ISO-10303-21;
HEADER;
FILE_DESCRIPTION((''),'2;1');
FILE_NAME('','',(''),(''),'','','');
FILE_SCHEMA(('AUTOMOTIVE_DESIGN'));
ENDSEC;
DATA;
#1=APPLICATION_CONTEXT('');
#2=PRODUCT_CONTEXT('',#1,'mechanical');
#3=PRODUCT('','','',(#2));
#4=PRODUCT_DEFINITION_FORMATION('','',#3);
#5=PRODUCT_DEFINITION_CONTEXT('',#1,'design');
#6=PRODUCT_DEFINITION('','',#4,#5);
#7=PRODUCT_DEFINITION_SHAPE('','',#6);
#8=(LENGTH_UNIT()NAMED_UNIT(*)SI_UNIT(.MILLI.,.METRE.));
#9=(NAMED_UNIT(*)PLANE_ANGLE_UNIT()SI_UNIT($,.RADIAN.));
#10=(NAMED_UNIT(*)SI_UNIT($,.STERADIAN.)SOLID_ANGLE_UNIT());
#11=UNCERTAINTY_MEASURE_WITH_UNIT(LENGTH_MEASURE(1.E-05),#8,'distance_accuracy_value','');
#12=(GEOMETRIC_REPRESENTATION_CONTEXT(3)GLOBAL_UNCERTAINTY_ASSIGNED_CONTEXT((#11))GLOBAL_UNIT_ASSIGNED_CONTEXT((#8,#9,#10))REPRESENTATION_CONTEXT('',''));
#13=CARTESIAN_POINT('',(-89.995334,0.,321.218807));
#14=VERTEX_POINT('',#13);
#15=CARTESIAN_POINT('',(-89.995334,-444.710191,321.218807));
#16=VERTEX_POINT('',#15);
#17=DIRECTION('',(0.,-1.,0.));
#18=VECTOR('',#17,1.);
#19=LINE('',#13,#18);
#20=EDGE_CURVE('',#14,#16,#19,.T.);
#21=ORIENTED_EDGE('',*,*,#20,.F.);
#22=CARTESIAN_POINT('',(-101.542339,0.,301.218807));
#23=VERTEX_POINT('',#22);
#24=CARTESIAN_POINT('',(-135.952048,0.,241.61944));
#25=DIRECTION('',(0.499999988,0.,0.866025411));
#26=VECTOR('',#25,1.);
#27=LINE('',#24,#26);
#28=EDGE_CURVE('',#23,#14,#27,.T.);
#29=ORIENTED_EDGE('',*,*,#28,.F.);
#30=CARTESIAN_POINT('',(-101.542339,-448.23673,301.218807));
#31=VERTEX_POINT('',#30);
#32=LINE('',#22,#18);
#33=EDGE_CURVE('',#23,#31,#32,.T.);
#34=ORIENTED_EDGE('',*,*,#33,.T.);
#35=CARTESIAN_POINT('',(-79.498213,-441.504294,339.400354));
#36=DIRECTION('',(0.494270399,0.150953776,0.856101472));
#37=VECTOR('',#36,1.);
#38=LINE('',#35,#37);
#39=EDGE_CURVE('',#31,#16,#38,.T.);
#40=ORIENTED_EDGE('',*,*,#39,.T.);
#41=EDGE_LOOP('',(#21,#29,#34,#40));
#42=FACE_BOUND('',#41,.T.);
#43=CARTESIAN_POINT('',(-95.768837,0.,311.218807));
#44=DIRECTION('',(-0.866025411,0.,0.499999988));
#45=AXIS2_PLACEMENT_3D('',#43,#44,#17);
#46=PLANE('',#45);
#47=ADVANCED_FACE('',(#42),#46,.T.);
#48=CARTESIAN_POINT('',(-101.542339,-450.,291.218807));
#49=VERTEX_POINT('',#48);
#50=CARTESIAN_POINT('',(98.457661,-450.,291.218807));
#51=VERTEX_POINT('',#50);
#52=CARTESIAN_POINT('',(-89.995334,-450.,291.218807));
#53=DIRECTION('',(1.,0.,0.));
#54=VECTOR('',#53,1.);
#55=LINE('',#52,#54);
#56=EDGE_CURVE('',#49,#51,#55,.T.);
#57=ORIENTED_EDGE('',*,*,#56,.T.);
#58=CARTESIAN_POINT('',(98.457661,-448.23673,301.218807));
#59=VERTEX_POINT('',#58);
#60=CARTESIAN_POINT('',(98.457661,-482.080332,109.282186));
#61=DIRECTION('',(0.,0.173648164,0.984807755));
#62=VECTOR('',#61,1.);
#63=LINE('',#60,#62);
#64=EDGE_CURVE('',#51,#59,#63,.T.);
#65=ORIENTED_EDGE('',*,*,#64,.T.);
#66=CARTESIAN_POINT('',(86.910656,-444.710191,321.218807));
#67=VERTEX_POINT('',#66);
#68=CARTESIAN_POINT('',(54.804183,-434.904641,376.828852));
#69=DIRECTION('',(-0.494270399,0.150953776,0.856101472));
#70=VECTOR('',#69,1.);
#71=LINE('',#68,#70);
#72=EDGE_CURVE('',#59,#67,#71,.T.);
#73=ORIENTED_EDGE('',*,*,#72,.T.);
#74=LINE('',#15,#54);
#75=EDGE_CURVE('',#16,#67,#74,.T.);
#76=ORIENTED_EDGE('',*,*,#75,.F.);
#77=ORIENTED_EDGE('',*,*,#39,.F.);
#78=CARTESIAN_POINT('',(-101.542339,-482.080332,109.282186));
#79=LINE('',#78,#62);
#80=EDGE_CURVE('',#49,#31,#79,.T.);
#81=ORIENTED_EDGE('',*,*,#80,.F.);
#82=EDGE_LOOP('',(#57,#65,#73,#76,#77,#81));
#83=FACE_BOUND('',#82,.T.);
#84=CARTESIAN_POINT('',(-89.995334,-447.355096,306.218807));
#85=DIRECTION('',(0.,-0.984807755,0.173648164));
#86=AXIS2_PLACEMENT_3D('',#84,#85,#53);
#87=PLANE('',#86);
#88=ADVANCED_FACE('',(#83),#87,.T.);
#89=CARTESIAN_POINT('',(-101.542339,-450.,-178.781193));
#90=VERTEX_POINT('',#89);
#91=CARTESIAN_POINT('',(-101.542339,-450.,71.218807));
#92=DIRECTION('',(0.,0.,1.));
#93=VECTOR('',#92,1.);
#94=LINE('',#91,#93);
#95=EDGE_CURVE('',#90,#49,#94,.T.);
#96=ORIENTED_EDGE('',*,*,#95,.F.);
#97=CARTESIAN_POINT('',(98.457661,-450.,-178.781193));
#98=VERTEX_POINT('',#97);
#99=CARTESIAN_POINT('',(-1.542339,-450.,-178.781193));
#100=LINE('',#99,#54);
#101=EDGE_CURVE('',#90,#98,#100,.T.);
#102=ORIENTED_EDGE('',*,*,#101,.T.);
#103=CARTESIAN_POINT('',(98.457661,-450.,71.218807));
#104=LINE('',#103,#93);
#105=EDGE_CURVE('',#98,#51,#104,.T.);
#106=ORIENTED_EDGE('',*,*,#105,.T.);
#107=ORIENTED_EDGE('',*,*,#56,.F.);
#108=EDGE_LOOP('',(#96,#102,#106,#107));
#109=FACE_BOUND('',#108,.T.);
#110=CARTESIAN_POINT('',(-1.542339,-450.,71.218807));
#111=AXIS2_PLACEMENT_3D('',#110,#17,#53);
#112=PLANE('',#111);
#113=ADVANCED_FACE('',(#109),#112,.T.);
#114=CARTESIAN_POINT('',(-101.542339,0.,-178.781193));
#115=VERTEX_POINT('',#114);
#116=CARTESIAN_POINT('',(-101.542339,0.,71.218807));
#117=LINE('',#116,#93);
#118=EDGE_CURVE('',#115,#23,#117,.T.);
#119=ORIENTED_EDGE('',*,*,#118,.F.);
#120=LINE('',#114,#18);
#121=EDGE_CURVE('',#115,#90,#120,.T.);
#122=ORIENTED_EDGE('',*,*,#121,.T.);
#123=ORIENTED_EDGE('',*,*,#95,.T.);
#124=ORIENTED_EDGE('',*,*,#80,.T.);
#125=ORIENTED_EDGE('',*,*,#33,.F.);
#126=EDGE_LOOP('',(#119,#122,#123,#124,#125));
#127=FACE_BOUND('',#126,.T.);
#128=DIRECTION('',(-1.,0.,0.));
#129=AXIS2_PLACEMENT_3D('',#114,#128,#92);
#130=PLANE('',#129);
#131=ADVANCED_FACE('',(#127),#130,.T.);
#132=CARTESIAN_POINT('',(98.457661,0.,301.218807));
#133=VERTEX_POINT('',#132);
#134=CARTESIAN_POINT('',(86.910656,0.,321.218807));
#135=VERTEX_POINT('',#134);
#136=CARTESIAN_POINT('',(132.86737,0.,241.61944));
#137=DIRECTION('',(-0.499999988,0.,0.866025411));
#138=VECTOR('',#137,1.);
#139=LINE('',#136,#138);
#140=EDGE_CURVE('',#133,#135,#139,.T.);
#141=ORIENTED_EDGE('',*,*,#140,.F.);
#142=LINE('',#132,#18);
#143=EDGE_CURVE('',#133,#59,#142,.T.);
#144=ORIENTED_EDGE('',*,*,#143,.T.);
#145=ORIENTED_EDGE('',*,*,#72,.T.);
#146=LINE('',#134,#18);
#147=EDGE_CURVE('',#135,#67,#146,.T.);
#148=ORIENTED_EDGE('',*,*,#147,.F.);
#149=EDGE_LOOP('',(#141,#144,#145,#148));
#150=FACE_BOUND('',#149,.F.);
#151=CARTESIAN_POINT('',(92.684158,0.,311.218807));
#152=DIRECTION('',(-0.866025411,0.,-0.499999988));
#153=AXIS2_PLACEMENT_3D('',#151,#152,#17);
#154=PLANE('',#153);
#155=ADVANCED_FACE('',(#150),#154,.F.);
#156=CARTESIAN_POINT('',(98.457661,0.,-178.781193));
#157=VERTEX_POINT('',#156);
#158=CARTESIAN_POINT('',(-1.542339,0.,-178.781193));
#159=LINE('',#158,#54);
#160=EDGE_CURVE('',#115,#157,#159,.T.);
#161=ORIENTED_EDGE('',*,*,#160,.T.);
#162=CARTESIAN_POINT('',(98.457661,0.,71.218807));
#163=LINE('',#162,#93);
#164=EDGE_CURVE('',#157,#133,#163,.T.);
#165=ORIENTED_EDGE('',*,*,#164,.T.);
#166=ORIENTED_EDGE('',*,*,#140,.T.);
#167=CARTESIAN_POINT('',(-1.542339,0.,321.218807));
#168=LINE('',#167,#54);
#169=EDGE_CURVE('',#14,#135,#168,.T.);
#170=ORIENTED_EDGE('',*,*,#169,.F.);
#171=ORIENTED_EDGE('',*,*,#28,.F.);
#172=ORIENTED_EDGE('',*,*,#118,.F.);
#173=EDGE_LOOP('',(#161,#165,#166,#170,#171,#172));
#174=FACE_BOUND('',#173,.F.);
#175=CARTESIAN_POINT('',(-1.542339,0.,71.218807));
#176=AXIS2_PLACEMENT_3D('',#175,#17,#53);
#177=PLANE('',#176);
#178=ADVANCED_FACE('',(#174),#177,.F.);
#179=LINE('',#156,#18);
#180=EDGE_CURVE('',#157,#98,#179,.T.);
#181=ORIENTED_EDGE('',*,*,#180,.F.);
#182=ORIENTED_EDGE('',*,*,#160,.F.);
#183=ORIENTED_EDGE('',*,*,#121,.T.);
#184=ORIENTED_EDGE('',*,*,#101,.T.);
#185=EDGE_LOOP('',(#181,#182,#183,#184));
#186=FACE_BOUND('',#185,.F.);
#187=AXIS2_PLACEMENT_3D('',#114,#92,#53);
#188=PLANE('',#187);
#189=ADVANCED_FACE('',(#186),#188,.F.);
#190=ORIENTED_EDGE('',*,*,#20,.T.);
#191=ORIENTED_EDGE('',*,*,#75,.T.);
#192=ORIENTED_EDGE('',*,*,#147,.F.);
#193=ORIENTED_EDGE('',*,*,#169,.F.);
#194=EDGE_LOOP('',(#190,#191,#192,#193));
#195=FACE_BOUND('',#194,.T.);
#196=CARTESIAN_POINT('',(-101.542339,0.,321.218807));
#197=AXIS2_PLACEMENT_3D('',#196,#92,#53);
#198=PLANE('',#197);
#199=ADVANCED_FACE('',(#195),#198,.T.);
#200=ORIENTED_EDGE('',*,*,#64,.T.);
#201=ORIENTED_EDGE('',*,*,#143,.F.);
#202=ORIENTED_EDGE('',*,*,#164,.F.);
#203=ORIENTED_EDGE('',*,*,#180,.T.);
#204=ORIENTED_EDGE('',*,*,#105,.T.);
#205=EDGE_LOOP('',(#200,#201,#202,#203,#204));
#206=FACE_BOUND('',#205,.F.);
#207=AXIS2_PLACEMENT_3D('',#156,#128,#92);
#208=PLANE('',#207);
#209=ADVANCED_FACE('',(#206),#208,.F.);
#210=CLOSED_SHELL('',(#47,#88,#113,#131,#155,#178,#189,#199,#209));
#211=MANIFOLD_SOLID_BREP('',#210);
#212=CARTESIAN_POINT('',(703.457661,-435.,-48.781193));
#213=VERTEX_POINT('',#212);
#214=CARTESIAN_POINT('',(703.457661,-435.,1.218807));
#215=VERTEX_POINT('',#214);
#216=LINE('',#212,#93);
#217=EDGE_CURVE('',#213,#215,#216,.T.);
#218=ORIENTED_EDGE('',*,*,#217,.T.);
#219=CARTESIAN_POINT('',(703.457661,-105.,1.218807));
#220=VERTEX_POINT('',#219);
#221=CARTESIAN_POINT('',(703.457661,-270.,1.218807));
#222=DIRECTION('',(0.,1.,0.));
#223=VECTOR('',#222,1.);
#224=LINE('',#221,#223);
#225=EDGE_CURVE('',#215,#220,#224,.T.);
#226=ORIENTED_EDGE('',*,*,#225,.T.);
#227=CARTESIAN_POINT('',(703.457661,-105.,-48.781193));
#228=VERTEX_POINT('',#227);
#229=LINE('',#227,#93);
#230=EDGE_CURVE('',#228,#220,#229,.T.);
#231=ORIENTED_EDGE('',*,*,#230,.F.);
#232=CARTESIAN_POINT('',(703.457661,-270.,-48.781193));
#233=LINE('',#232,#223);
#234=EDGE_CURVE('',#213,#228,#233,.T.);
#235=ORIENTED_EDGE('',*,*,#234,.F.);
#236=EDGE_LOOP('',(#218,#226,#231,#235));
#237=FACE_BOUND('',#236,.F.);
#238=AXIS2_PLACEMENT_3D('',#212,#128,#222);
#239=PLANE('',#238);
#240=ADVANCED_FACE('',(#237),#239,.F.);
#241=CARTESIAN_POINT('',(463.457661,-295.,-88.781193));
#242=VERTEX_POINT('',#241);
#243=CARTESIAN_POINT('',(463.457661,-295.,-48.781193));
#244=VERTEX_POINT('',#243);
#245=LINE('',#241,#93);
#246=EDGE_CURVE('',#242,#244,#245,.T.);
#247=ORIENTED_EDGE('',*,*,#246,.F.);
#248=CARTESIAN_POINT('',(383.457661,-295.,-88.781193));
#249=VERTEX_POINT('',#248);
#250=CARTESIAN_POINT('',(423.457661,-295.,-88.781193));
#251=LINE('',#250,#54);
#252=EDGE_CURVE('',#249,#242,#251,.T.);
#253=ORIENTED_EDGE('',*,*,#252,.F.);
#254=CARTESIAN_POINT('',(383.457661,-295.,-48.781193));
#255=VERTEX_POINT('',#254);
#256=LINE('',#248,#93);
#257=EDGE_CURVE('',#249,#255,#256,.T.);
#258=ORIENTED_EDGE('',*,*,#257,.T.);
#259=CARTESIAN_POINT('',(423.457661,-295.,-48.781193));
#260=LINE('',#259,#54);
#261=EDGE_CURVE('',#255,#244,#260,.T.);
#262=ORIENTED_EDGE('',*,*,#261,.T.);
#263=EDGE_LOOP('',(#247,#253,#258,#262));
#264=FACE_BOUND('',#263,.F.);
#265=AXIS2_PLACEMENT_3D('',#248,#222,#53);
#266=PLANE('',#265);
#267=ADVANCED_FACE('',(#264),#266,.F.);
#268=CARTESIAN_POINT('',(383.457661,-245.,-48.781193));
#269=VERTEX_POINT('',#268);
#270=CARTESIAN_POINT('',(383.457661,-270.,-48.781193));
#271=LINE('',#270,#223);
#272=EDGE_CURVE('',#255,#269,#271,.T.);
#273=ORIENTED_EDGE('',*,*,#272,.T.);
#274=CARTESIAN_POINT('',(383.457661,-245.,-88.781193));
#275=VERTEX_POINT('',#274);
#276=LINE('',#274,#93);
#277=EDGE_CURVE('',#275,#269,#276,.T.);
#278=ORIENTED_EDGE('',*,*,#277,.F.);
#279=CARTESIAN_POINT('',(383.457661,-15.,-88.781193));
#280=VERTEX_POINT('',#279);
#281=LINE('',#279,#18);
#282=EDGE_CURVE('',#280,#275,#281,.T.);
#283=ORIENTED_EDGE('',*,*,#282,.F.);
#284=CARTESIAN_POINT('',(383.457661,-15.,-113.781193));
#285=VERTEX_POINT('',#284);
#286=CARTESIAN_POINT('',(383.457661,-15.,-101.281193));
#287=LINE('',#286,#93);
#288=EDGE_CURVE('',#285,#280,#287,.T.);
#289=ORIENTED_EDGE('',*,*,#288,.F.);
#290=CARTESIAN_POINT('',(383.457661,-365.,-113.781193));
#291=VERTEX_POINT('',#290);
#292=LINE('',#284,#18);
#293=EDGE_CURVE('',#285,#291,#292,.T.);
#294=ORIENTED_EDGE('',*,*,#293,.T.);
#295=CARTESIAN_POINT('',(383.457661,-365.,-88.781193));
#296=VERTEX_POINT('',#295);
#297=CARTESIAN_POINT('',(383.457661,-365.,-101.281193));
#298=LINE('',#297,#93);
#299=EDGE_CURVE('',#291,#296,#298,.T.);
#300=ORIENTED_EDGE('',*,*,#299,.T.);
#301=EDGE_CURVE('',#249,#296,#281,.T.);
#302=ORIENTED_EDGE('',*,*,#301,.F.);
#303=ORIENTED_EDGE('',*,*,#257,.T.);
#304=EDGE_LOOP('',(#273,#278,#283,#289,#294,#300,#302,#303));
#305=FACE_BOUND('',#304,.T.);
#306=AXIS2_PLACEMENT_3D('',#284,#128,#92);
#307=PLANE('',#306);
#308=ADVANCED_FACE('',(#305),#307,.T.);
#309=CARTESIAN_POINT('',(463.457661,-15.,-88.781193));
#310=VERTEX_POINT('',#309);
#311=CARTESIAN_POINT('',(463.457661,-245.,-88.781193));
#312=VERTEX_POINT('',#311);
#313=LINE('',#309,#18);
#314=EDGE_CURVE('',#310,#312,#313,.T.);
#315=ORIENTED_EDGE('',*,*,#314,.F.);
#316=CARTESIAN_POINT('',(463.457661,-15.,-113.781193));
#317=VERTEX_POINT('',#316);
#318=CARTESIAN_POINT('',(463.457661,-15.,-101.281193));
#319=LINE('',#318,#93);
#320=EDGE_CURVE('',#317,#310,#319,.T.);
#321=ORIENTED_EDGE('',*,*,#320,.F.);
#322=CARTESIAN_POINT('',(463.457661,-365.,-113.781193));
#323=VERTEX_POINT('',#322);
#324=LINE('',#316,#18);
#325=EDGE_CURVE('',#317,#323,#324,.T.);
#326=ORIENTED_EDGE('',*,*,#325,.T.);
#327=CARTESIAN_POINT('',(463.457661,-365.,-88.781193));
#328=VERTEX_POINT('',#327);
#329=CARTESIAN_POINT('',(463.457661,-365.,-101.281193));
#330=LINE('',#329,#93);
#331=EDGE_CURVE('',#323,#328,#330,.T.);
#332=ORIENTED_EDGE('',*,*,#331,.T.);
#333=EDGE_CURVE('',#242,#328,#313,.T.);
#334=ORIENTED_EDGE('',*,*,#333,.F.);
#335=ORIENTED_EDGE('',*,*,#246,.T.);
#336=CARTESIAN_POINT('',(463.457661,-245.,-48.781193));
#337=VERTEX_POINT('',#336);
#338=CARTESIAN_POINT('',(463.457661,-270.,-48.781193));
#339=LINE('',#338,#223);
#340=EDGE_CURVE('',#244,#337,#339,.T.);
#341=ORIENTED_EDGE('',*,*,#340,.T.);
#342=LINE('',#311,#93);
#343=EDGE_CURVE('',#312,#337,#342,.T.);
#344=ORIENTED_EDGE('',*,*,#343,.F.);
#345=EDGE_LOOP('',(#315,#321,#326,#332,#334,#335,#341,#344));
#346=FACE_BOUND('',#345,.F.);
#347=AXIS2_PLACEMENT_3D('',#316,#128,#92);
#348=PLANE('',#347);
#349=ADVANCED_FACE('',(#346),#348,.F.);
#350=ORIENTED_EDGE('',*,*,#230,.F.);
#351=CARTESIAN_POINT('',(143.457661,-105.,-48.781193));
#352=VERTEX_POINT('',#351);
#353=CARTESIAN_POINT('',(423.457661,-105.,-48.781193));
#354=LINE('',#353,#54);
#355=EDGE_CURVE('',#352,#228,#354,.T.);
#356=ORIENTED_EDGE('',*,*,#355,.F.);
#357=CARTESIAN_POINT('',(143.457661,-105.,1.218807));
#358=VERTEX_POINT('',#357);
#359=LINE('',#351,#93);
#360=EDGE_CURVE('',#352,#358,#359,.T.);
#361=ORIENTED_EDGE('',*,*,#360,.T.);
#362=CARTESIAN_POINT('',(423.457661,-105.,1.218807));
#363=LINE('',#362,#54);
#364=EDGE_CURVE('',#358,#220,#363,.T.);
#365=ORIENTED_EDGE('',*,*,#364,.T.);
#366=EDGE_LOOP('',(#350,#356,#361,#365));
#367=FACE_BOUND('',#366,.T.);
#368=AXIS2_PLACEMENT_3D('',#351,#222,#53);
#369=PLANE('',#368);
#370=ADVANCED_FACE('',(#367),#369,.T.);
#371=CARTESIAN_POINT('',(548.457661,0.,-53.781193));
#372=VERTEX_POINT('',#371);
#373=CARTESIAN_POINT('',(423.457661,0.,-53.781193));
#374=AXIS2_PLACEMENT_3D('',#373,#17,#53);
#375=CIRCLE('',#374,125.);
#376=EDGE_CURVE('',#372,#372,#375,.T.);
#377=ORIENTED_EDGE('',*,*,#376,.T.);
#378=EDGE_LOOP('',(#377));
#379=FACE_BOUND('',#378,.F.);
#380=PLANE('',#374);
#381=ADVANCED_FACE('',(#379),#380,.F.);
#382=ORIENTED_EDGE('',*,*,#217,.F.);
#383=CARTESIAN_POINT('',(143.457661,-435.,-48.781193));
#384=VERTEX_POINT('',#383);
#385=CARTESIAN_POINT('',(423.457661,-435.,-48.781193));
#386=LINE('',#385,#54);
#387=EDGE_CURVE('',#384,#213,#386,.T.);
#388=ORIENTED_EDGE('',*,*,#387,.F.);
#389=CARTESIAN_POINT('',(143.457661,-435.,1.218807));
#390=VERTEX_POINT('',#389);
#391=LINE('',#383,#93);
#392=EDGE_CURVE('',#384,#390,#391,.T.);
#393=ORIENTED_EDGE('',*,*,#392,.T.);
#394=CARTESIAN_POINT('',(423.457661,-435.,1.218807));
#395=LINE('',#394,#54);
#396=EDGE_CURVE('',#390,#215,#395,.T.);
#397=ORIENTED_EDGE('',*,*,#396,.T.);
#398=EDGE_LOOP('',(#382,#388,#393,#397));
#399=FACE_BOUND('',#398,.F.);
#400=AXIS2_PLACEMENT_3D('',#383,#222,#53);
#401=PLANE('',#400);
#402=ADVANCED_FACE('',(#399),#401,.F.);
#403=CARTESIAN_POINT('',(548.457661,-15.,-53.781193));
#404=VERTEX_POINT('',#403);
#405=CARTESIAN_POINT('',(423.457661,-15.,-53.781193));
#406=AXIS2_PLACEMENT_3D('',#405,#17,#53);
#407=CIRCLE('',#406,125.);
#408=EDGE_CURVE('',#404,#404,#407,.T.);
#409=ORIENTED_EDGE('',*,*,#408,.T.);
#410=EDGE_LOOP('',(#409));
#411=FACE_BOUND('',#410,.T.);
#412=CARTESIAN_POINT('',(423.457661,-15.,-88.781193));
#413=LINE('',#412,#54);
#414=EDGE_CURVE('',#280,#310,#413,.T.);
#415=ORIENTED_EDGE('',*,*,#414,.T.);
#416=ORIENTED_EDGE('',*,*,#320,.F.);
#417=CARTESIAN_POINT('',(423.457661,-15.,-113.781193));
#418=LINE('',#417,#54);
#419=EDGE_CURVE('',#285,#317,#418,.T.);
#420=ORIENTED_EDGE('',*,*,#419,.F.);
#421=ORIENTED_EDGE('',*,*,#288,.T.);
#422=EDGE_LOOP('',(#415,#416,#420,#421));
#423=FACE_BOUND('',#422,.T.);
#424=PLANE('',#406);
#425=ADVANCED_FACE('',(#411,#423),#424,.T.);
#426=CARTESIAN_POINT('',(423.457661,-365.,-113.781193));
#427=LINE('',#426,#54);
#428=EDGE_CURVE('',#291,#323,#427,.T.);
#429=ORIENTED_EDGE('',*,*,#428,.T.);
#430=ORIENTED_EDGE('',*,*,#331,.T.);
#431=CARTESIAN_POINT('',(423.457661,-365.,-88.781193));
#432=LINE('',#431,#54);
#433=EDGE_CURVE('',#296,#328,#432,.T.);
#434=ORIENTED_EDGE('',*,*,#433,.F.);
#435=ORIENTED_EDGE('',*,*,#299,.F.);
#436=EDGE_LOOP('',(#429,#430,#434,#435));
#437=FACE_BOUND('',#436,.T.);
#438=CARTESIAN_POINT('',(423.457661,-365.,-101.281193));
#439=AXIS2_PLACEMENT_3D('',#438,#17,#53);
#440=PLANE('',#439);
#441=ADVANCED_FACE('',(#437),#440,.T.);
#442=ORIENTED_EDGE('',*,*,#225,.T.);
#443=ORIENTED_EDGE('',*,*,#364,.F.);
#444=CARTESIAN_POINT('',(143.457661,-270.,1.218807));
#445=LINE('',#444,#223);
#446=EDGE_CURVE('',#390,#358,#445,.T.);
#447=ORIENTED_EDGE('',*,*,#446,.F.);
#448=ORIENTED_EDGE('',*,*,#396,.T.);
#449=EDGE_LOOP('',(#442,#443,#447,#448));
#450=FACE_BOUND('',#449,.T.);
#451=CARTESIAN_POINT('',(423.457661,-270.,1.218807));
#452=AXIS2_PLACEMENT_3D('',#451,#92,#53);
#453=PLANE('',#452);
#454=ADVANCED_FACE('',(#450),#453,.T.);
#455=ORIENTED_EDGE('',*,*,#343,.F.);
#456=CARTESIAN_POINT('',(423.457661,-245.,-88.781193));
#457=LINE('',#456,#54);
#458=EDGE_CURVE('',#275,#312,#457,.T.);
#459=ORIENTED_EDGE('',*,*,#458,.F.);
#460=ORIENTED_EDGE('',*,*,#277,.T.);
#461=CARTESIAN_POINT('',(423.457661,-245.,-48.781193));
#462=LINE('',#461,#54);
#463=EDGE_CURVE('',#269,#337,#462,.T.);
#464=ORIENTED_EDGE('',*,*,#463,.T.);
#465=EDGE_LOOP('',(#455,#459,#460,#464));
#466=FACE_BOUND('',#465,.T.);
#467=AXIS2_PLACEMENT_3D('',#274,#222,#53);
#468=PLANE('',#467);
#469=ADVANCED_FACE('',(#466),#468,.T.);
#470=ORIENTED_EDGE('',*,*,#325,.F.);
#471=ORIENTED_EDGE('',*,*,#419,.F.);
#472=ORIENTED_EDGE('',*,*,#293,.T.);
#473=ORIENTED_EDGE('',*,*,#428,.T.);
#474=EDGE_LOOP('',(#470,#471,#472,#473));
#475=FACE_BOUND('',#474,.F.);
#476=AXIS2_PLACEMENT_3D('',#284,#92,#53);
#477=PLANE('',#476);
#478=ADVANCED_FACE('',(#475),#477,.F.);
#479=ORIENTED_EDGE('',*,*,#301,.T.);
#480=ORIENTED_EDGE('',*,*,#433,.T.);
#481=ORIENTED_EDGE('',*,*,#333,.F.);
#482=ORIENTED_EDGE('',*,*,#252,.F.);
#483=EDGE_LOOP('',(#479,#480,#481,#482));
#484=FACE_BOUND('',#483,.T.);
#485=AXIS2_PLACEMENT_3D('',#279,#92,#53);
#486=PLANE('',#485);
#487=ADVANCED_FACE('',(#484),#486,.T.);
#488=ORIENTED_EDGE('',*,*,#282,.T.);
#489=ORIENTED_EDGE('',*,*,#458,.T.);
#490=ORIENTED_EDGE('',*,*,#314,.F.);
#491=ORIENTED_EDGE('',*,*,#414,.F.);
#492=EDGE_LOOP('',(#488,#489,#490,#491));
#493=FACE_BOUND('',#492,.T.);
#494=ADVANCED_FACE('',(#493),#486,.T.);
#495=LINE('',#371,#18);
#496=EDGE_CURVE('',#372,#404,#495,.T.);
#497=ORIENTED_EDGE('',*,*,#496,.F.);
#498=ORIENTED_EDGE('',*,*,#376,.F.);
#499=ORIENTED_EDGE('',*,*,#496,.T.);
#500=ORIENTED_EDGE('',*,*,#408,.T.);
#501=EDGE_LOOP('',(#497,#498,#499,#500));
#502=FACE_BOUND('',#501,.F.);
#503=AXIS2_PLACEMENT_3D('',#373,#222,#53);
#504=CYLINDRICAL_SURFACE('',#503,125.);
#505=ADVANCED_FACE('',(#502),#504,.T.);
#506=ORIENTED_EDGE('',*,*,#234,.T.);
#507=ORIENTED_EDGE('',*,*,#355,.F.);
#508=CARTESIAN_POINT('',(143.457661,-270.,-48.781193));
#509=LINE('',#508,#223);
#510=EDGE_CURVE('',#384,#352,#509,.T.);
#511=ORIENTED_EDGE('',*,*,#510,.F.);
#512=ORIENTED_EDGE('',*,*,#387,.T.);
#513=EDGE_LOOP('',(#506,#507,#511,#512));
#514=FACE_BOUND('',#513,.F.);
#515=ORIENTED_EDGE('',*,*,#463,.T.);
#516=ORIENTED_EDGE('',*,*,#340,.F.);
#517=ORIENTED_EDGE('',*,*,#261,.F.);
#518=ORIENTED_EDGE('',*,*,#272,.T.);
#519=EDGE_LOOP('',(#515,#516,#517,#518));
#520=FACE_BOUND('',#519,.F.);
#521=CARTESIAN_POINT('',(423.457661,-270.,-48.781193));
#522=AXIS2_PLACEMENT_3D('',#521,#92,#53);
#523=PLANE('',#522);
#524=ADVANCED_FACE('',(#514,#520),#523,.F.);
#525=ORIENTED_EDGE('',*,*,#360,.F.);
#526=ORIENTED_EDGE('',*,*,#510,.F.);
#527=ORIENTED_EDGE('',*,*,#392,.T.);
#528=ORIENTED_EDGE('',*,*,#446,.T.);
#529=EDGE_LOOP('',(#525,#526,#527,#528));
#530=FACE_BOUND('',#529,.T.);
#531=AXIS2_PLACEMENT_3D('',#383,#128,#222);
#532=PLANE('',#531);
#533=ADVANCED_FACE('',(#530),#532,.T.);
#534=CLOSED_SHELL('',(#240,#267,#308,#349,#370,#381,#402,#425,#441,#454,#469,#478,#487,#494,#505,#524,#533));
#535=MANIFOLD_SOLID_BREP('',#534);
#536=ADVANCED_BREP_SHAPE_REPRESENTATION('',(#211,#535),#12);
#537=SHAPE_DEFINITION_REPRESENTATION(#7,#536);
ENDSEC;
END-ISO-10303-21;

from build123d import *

# Parameters (mm, degrees)
F0_W      = 200
F0_H      = 500
F1_DEPTH  = 450
F2_R      = 125
F3_DEPTH  = 15
F4_W      = 80
F4_H      = 25
F5_DEPTH  = 350
F6_W      = 80
F6_H      = 50
F7_DEPTH  = 40
F8_W      = 560
F8_H      = 330
F9_DEPTH  = 50
F10_SIZE2 = 11.547005
F10_SIZE  = 20
F11_SIZE2 = 5.289809
F11_SIZE  = 30


with BuildPart() as f1:
    # F0 (on Front) → F1 (new body)
    with BuildSketch(Plane.XZ):
        with Locations((-1.542339, 71.218807)):
            Rectangle(F0_W, F0_H)
    extrude(amount=F1_DEPTH)

    # F10
    f10_edges = [f1.edges().sort_by_distance(p)[0] for p in [
        (98.457661, -225, 321.218807),
        (-101.542339, -225, 321.218807),
    ]]
    chamfer(f10_edges, length=F10_SIZE, length2=F10_SIZE2)

    # F11
    f11_edges = [f1.edges().sort_by_distance(p)[0] for p in [
        (-1.542339, -450, 321.218807),
    ]]
    chamfer(f11_edges, length=F11_SIZE, length2=F11_SIZE2)


with BuildPart() as f3:
    # F2 (on Front) → F3 (new body)
    with BuildSketch(Plane.XZ):
        with Locations((423.457661, -53.781193)):
            Circle(F2_R)
    extrude(amount=F3_DEPTH)

    # F4 (on face) → F5 (join)
    with BuildSketch(Plane.XZ.offset(15)):
        with Locations((423.457661, -101.281193)):
            Rectangle(F4_W, F4_H)
    extrude(amount=F5_DEPTH)

    # F6 (on face) → F7 (join)
    with BuildSketch(Plane.XY.offset(-88.781193)):
        with Locations((423.457661, -270)):
            Rectangle(F6_W, F6_H)
    extrude(amount=F7_DEPTH)

    # F8 (on face) → F9 (join)
    with BuildSketch(Plane.XY.offset(-48.781193)):
        with Locations((423.457661, -270)):
            Rectangle(F8_W, F8_H)
    extrude(amount=F9_DEPTH)


solid = Compound([f1.part, f3.part])
